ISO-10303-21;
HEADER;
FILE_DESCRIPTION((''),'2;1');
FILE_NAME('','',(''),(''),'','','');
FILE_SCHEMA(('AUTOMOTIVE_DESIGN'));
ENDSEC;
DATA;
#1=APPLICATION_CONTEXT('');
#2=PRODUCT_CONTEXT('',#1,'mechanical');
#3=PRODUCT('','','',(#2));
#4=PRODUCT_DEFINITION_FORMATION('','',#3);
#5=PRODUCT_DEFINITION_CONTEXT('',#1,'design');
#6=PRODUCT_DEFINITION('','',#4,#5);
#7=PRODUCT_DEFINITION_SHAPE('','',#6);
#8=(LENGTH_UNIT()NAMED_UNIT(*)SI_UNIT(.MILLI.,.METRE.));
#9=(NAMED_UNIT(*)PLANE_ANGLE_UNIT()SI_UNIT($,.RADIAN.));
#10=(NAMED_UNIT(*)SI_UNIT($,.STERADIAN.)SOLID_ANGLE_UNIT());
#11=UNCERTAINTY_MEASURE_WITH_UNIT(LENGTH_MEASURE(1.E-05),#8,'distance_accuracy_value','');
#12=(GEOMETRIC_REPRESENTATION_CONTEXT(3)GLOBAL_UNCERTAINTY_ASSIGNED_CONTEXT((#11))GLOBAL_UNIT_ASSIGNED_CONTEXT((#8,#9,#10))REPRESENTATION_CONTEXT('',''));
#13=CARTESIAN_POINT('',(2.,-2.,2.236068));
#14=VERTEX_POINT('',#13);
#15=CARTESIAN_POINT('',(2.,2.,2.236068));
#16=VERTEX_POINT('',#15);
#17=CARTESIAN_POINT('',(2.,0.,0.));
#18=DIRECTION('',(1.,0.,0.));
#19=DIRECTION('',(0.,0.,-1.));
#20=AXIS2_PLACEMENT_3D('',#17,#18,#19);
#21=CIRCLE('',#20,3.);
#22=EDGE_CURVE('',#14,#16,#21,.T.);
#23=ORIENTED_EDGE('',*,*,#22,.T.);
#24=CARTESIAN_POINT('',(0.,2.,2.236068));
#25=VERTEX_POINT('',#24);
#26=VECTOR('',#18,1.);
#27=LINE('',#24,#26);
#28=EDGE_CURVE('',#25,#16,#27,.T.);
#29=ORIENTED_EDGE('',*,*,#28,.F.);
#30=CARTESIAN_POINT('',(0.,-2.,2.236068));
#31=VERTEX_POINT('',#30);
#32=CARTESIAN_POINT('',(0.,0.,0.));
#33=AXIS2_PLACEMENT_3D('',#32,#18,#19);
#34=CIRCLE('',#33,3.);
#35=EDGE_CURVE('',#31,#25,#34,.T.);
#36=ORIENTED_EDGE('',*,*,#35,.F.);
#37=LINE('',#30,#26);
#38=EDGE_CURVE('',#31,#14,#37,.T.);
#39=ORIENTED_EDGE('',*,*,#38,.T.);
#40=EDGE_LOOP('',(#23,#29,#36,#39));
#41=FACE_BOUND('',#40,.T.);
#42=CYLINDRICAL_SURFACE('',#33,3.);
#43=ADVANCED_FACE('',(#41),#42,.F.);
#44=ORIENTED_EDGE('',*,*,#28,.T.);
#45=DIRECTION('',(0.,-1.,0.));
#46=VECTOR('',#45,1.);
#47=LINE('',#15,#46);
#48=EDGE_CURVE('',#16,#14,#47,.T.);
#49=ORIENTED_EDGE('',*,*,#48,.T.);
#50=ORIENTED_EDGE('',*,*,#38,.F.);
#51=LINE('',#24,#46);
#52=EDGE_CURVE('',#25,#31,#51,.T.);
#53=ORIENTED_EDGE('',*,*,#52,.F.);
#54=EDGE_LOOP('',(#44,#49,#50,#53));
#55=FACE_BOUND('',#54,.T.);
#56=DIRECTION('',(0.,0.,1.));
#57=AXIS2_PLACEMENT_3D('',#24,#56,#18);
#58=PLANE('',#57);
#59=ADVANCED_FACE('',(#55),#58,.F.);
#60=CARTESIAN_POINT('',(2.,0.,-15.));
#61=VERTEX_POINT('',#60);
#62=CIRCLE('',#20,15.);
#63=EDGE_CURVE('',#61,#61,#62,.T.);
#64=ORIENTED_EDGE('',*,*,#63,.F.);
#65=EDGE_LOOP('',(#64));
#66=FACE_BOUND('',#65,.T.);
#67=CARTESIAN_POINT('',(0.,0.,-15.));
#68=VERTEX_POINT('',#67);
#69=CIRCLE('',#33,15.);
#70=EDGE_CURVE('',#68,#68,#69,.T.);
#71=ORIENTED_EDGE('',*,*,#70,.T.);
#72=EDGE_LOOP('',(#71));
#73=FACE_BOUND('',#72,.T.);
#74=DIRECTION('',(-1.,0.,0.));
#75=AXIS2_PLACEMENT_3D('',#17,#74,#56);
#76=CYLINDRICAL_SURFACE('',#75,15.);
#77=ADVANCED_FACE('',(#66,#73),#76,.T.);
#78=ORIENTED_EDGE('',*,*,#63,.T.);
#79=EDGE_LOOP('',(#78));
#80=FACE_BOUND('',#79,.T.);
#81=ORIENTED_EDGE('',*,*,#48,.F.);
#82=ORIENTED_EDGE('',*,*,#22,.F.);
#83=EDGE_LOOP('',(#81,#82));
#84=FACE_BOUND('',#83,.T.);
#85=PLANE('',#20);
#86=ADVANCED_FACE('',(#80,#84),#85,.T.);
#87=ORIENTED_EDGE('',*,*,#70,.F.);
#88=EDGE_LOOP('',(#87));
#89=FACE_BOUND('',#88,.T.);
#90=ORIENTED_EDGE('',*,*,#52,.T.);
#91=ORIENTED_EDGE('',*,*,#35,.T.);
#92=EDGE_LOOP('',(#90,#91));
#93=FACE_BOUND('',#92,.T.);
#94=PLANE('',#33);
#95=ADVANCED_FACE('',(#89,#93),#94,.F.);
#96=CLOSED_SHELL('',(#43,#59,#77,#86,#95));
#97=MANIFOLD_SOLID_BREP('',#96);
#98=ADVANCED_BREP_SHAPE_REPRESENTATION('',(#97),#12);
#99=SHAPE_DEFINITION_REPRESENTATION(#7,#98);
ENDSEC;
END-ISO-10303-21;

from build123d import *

# Parameters (mm, degrees)
SKETCH1_R           = 15
BOSS_EXTRUDE1_DEPTH = 2
CUT_EXTRUDE1_DEPTH  = 3


with BuildPart() as part:
    # Sketch1 → Boss-Extrude1 (new body)
    with BuildSketch(Plane(origin=(0, 0, 0), x_dir=(0, 0, -1), z_dir=(1, 0, 0))):
        Circle(SKETCH1_R)
    extrude(amount=BOSS_EXTRUDE1_DEPTH)

    # Sketch2 → Cut-Extrude1 (cut, through all)
    with BuildSketch(Plane(origin=(2, 0, 0), x_dir=(0, 0, -1), z_dir=(1, 0, 0))):
        with BuildLine():
            Line((-2.236067977, 2), (-2.236067977, -2))
            ThreePointArc((-2.236067977, -2), (3, 0), (-2.236067977, 2))
        make_face()
    extrude(amount=-CUT_EXTRUDE1_DEPTH, mode=Mode.SUBTRACT)


solid = part.part
